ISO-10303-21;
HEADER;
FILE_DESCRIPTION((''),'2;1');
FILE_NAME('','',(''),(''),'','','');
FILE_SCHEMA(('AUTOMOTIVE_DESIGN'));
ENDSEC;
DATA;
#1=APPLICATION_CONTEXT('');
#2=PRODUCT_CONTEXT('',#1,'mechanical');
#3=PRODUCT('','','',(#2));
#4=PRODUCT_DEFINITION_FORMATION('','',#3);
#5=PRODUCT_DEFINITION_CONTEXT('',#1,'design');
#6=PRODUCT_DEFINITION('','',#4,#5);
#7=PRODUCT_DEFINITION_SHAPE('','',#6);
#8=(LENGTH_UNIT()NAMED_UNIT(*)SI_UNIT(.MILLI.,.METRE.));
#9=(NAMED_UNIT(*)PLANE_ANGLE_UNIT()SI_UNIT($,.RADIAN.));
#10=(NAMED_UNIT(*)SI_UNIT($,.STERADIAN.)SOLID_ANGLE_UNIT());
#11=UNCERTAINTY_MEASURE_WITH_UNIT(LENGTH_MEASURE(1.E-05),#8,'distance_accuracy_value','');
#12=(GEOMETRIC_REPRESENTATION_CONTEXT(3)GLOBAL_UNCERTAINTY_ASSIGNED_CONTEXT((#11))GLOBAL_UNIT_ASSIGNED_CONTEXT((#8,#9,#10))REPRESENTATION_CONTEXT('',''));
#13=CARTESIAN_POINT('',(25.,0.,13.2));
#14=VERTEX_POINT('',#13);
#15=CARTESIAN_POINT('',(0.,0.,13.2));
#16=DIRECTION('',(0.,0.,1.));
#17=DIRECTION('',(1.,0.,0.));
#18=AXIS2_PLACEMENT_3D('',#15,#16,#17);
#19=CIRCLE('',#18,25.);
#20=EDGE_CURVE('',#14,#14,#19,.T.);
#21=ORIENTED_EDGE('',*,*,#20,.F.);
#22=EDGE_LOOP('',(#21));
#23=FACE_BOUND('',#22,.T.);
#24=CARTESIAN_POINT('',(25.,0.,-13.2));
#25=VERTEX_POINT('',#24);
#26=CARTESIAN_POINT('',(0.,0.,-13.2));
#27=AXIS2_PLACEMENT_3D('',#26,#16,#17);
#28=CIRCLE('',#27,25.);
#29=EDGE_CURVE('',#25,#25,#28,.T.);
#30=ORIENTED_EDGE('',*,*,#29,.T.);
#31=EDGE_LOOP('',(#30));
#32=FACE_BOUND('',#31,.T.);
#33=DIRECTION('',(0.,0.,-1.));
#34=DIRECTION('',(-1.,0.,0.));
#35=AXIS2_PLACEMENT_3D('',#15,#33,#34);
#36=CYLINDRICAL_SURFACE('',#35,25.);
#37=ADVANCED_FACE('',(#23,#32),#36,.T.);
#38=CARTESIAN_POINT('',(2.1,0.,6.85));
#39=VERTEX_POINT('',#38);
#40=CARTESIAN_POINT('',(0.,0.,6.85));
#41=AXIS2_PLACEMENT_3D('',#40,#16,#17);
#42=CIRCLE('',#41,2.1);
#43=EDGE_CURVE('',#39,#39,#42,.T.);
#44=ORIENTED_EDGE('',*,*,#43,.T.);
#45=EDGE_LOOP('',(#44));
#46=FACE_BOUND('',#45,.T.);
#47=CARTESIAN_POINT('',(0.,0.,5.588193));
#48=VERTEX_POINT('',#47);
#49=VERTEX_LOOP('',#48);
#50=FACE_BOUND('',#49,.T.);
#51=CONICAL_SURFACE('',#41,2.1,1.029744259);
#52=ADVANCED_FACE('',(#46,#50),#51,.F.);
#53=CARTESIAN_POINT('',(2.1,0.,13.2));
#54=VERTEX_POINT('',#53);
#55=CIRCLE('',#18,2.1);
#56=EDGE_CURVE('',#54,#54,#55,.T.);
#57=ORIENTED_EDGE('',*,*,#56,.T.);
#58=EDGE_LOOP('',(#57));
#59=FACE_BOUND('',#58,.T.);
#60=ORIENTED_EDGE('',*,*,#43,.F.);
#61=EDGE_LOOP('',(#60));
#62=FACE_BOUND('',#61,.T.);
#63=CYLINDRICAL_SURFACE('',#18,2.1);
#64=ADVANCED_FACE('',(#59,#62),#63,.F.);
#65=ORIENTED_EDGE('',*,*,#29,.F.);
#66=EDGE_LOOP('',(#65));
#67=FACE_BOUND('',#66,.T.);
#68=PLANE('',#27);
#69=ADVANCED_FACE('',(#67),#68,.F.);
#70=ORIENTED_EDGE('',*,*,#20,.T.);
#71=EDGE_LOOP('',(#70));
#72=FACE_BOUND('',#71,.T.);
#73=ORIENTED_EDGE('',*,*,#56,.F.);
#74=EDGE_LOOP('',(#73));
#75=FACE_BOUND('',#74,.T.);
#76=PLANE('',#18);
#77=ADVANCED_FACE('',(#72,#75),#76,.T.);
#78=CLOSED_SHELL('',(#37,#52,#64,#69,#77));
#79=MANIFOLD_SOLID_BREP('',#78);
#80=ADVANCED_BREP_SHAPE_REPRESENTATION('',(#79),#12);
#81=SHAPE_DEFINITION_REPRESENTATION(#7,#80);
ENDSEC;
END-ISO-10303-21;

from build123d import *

# Parameters (mm, degrees)
SKETCH1_R                       = 25
BOSS_EXTRUDE1_DEPTH             = 13.2
TAP_DRILL_FOR_M5X0_8_TAP1_D     = 4.2
TAP_DRILL_FOR_M5X0_8_TAP1_DEPTH = 6.35
TAP_DRILL_FOR_M5X0_8_TAP1_TIP   = 1.2618073


with BuildPart() as part:
    # Sketch1 → Boss-Extrude1 (new, symmetric)
    with BuildSketch(Plane.XY):
        Circle(SKETCH1_R)
    extrude(amount=BOSS_EXTRUDE1_DEPTH, both=True)

    # Tap Drill for M5x0.8 Tap1
    with Locations(Plane.XY.offset(13.2)):
        with Locations((0, 0)):
            Hole(TAP_DRILL_FOR_M5X0_8_TAP1_D / 2, depth=TAP_DRILL_FOR_M5X0_8_TAP1_DEPTH)
            with Locations((0, 0, -(TAP_DRILL_FOR_M5X0_8_TAP1_DEPTH + TAP_DRILL_FOR_M5X0_8_TAP1_TIP / 2))):  # 118° drill point
                Cone(0, TAP_DRILL_FOR_M5X0_8_TAP1_D / 2, TAP_DRILL_FOR_M5X0_8_TAP1_TIP, mode=Mode.SUBTRACT)


solid = part.part
